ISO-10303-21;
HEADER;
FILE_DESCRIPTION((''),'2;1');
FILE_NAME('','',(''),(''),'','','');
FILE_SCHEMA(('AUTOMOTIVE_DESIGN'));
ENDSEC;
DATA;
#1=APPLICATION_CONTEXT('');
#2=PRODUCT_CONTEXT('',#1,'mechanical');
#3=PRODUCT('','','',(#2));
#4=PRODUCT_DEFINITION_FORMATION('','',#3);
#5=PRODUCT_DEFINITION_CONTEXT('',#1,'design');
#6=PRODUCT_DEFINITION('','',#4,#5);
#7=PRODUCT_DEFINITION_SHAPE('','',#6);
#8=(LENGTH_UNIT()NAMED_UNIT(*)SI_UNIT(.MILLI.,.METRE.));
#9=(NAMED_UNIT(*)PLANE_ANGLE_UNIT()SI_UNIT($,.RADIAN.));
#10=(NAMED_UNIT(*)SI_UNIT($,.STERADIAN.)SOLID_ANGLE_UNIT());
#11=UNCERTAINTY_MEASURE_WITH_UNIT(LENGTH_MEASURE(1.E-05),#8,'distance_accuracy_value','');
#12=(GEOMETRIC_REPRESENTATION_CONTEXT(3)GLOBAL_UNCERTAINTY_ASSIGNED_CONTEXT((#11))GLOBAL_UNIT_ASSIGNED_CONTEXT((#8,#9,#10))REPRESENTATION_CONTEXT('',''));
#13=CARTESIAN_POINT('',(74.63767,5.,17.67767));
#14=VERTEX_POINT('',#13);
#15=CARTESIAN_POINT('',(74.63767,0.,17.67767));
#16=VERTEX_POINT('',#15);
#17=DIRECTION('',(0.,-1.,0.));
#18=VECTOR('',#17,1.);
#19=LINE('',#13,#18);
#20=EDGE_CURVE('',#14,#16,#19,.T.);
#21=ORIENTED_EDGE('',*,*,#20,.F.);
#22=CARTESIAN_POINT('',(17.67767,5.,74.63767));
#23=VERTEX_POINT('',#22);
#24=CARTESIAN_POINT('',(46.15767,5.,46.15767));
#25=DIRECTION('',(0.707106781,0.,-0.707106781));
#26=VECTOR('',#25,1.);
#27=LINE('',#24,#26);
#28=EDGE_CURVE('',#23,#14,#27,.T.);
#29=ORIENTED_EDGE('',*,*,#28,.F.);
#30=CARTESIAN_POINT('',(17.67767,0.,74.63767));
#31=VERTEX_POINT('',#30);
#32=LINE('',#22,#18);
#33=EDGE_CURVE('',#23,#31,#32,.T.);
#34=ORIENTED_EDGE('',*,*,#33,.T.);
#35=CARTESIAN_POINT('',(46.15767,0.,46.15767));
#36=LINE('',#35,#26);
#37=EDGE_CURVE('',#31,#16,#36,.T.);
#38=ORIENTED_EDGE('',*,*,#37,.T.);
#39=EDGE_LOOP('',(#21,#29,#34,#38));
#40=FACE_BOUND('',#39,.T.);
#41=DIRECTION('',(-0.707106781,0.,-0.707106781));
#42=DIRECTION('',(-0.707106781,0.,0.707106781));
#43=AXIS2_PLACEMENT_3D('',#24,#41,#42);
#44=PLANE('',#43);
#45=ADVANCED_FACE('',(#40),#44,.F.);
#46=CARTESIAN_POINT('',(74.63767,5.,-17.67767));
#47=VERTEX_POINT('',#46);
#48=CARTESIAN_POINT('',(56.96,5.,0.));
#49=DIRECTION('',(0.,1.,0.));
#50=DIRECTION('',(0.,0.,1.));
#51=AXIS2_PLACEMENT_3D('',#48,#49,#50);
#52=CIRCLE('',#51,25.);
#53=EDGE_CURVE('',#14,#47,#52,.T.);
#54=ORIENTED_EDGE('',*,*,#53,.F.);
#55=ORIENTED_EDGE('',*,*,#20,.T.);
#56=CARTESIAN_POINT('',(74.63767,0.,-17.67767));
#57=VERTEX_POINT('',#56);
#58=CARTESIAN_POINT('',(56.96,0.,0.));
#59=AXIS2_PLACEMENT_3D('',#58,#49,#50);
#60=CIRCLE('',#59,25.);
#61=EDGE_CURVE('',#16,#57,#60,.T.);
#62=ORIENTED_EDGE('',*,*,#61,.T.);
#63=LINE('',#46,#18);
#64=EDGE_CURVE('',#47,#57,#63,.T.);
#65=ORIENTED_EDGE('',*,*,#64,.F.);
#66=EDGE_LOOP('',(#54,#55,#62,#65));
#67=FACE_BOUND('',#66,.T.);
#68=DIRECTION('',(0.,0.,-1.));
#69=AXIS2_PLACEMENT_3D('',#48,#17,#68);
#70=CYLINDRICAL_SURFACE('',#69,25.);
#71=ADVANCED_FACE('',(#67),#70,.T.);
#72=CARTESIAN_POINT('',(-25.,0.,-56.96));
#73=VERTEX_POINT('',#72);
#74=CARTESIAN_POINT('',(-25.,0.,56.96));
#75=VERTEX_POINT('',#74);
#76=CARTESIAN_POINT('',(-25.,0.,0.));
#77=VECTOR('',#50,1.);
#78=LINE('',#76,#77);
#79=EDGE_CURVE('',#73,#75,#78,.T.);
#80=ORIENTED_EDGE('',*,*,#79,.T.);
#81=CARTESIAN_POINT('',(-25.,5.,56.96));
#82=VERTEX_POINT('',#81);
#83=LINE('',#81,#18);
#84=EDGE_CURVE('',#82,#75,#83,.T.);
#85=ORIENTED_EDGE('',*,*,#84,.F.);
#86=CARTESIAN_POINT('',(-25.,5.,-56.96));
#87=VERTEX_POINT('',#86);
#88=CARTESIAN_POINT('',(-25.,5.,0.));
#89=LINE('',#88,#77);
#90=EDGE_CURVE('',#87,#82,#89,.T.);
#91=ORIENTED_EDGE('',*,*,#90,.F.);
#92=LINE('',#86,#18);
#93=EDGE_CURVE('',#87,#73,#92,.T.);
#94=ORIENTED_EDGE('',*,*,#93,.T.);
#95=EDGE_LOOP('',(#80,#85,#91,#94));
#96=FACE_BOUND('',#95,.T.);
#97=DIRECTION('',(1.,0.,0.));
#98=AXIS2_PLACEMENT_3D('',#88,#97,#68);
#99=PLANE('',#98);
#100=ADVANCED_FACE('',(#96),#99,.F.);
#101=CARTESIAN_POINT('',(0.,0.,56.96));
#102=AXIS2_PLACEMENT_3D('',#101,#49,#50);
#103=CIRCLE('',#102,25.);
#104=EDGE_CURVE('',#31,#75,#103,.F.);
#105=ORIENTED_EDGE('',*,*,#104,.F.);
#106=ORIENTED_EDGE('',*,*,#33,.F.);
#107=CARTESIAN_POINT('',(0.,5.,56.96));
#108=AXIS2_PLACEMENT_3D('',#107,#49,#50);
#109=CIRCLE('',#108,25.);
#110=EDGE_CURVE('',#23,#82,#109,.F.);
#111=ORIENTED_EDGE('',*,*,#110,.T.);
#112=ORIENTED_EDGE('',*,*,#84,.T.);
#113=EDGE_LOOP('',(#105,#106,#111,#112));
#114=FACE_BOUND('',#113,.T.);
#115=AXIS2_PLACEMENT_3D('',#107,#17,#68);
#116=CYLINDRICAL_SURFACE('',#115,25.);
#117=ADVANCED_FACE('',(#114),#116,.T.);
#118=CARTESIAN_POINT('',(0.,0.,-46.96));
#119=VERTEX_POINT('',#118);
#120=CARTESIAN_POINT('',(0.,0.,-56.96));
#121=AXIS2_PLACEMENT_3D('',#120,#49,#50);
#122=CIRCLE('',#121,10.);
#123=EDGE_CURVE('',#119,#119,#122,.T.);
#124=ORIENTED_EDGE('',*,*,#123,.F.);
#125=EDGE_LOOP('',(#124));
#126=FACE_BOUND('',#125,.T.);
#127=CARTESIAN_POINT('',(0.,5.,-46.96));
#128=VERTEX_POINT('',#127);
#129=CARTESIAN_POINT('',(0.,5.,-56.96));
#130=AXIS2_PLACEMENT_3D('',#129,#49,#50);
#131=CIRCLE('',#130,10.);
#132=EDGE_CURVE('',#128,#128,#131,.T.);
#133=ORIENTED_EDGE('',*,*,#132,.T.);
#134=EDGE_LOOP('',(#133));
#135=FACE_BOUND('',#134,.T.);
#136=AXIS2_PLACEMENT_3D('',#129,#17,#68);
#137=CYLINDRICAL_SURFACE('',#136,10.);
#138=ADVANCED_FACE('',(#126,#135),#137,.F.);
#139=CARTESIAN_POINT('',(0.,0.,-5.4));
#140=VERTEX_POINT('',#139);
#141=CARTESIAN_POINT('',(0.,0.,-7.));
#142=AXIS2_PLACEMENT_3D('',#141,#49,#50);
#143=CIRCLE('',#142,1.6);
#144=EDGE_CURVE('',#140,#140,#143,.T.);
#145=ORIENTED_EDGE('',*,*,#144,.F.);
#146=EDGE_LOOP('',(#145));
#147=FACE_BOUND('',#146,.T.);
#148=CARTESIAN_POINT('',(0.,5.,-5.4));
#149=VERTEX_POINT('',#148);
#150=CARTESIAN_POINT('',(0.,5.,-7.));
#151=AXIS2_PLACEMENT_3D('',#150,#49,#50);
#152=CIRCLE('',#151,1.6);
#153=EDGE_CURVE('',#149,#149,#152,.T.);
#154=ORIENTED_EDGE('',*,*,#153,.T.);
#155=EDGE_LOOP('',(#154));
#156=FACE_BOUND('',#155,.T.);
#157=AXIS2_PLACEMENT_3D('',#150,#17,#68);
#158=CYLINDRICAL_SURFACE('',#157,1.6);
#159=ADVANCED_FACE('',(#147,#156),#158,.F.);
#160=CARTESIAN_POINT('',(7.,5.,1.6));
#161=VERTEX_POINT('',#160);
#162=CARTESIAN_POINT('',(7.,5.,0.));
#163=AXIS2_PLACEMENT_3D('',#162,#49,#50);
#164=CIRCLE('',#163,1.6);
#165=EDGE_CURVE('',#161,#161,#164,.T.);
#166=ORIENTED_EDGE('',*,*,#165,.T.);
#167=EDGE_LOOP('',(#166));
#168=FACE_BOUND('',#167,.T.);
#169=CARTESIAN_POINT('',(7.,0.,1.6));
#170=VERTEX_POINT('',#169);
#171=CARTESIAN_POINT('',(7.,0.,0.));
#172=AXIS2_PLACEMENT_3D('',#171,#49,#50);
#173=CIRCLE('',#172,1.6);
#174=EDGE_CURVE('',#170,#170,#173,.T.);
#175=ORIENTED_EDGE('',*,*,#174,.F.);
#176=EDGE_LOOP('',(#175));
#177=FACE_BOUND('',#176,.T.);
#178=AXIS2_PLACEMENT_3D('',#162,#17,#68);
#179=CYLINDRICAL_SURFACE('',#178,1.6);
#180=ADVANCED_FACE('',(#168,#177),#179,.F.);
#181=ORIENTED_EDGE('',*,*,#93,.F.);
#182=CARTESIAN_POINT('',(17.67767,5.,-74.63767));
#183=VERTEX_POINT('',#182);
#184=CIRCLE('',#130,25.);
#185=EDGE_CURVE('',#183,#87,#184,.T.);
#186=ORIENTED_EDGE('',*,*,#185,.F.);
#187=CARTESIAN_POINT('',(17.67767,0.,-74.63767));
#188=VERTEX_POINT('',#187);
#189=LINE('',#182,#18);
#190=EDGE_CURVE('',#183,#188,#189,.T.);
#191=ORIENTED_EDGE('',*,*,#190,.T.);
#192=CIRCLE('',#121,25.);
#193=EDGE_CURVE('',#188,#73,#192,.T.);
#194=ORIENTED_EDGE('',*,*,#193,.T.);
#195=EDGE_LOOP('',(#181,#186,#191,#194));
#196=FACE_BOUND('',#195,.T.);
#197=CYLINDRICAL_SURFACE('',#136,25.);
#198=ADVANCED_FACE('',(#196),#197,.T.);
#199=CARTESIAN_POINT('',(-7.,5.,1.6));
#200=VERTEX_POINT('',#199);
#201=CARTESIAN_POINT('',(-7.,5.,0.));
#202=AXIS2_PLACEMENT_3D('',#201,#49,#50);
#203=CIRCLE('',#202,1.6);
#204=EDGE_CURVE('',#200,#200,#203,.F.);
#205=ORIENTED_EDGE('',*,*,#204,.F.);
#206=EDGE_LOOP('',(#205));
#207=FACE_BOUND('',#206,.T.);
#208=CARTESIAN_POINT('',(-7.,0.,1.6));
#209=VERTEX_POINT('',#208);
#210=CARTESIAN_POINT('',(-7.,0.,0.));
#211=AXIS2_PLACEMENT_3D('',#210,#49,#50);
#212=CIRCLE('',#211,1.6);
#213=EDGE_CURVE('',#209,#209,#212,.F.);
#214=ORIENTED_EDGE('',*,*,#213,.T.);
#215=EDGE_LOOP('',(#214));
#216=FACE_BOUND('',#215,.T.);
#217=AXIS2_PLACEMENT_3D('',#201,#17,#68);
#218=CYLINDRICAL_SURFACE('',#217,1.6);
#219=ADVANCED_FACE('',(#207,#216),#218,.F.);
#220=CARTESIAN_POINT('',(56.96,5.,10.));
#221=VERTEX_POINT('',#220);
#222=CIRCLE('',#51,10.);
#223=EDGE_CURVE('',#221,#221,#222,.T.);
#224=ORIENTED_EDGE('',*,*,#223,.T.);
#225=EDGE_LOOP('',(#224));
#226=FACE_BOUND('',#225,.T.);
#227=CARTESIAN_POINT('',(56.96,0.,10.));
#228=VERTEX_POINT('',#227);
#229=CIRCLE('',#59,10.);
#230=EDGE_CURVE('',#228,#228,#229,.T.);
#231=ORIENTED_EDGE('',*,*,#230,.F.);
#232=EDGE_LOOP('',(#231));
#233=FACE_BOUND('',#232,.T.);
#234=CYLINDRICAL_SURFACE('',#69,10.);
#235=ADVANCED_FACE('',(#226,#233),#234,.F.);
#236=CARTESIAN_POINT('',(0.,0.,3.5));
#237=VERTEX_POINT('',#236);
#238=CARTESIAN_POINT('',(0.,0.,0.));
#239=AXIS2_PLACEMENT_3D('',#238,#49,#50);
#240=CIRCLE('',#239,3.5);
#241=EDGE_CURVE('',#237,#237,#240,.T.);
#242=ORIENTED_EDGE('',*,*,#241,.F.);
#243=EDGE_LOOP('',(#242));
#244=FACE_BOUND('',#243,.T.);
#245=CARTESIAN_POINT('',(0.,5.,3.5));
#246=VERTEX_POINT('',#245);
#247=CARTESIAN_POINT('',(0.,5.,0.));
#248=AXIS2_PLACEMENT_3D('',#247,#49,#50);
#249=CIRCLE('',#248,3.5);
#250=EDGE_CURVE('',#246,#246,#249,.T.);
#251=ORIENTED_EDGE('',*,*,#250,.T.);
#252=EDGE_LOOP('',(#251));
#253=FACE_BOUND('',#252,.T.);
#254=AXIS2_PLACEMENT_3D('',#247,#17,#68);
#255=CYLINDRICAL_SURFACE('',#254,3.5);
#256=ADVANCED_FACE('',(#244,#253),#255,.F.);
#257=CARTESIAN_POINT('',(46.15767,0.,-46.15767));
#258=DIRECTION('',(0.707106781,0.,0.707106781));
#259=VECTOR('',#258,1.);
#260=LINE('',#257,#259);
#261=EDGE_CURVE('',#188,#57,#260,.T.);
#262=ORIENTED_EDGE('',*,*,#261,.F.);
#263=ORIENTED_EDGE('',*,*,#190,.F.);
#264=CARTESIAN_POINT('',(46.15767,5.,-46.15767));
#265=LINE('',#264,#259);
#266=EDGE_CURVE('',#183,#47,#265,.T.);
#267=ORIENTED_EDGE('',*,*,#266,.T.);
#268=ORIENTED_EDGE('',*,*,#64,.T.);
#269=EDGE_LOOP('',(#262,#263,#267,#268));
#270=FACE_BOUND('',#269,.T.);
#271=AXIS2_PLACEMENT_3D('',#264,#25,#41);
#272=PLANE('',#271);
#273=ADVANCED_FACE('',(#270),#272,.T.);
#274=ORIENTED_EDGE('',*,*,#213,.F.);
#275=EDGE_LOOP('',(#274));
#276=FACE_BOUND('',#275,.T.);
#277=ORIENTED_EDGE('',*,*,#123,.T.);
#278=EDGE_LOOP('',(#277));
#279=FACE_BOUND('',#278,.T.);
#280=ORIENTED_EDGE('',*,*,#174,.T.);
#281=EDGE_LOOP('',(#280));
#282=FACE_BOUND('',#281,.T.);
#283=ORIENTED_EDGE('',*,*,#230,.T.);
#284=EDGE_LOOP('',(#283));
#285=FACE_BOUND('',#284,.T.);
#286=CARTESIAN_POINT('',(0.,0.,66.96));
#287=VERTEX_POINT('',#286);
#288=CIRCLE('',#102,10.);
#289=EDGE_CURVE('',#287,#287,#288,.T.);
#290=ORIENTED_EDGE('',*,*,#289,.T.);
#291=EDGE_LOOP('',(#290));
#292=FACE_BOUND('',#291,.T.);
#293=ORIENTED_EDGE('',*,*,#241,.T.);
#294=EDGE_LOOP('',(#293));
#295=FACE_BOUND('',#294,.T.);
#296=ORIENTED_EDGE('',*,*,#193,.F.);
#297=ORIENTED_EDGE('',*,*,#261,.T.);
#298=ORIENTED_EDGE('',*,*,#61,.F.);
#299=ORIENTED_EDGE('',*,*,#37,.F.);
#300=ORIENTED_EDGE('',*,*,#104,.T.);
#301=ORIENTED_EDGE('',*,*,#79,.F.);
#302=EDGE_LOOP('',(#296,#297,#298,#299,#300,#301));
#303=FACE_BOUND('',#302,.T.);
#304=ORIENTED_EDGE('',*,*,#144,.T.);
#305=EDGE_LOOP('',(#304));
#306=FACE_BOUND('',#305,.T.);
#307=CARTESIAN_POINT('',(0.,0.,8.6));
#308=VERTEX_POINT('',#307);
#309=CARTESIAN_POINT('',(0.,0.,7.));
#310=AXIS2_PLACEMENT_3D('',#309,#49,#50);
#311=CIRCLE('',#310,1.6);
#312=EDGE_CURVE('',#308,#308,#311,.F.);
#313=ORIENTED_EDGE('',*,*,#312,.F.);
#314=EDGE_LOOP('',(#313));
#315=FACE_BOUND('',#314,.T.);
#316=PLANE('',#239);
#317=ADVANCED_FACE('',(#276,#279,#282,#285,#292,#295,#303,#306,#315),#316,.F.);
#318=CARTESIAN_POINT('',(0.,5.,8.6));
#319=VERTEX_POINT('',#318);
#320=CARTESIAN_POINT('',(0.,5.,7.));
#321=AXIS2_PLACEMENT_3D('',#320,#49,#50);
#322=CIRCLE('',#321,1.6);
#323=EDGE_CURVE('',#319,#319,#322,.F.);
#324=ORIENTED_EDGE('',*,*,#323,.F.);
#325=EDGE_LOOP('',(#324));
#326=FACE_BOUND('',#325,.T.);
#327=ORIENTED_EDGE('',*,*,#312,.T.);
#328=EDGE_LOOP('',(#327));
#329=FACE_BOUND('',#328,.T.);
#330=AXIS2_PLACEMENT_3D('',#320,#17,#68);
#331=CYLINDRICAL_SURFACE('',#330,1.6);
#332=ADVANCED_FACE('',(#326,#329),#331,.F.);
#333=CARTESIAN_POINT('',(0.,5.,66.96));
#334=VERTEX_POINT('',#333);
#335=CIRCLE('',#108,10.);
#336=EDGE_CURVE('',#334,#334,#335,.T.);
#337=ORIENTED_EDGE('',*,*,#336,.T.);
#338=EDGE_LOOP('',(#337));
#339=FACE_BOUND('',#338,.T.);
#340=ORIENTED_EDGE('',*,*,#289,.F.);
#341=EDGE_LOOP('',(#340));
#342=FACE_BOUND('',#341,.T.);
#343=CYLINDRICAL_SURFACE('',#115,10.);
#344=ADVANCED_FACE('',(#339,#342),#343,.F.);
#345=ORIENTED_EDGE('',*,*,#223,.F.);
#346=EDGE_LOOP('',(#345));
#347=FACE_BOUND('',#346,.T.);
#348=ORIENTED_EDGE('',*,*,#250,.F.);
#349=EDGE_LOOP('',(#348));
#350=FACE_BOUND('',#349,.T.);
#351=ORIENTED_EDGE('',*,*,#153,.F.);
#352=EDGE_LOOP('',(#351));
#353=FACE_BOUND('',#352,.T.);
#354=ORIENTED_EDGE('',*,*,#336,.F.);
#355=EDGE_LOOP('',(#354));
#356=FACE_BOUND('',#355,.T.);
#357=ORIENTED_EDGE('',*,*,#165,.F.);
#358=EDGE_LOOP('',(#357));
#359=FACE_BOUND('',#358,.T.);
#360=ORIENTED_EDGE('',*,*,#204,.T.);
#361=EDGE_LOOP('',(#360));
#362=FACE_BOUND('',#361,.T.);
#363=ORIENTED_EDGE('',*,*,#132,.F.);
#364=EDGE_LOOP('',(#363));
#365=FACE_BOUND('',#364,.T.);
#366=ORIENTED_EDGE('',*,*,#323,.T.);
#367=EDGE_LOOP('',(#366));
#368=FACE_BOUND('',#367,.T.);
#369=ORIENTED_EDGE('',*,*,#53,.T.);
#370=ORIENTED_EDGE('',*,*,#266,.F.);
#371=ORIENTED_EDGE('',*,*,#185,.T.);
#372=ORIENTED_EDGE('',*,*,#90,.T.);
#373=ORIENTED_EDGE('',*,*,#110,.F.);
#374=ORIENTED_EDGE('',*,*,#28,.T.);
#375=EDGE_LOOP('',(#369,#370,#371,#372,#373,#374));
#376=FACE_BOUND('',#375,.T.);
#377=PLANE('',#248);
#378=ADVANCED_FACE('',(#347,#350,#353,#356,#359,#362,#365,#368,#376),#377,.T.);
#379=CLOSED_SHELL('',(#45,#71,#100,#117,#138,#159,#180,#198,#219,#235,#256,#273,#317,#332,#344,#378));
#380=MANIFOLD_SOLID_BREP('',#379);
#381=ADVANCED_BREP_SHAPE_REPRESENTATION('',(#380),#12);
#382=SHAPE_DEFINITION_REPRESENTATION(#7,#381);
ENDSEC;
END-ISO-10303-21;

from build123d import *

# Parameters (mm, degrees)
SKETCH_1_R      = 1.6
SKETCH_1_R_2    = 3.5
SKETCH_1_R_3    = 25
SKETCH_1_R_4    = 10
EXTRUDE_1_DEPTH = 5


with BuildPart() as part:
    # 草图1 → 凸台-拉伸1 (new body)
    # profile 1 of 4: a face of its own
    with BuildSketch(Plane(origin=(0, 0, 0), x_dir=(1, 0, 0), z_dir=(0, 1, 0))):
        with BuildLine():
            ThreePointArc((25, 56.96), (0, 31.96), (-25, 56.96))
            Line((-25, 56.96), (-25, -56.96))
            ThreePointArc((-25, -56.96), (0, -31.96), (25, -56.96))
            ThreePointArc((25, -56.96), (23.096988313, -66.527085809), (17.67766953, -74.63766953))
            Line((17.67766953, -74.63766953), (74.63766953, -17.67766953))
            ThreePointArc((74.63766953, -17.67766953), (31.96, 0), (74.63766953, 17.67766953))
            Line((74.63766953, 17.67766953), (17.67766953, 74.63766953))
            ThreePointArc((17.67766953, 74.63766953), (23.096988313, 66.527085809), (25, 56.96))
        make_face()
        with Locations(Location((0, -7, 0), (0, 0, 270))):
            Circle(SKETCH_1_R, mode=Mode.SUBTRACT)
        with Locations(Location((-7, 0, 0), (0, 0, 270))):
            Circle(SKETCH_1_R, mode=Mode.SUBTRACT)
        with Locations(Location((0, 0, 0), (0, 0, 270))):
            Circle(SKETCH_1_R_2, mode=Mode.SUBTRACT)
        with Locations(Location((0, 7, 0), (0, 0, 270))):
            Circle(SKETCH_1_R, mode=Mode.SUBTRACT)
        with Locations(Location((7, 0, 0), (0, 0, 270))):
            Circle(SKETCH_1_R, mode=Mode.SUBTRACT)
    # profile 2 of 4: a face of its own
    with BuildSketch(Plane(origin=(0, 0, 0), x_dir=(1, 0, 0), z_dir=(0, 1, 0))):
        with Locations((0, -56.96)):
            Circle(SKETCH_1_R_3)
        with Locations(Location((0, -56.96, 0), (0, 0, 270))):
            Circle(SKETCH_1_R_4, mode=Mode.SUBTRACT)
    # profile 3 of 4: a face of its own
    with BuildSketch(Plane(origin=(0, 0, 0), x_dir=(1, 0, 0), z_dir=(0, 1, 0))):
        with Locations((56.96, 0)):
            Circle(SKETCH_1_R_3)
        with Locations(Location((56.96, 0, 0), (0, 0, 270))):
            Circle(SKETCH_1_R_4, mode=Mode.SUBTRACT)
    # profile 4 of 4: a face of its own
    with BuildSketch(Plane(origin=(0, 0, 0), x_dir=(1, 0, 0), z_dir=(0, 1, 0))):
        with Locations((0, 56.96)):
            Circle(SKETCH_1_R_3)
        with Locations(Location((0, 56.96, 0), (0, 0, 270))):
            Circle(SKETCH_1_R_4, mode=Mode.SUBTRACT)
    extrude(amount=EXTRUDE_1_DEPTH)


solid = part.part
